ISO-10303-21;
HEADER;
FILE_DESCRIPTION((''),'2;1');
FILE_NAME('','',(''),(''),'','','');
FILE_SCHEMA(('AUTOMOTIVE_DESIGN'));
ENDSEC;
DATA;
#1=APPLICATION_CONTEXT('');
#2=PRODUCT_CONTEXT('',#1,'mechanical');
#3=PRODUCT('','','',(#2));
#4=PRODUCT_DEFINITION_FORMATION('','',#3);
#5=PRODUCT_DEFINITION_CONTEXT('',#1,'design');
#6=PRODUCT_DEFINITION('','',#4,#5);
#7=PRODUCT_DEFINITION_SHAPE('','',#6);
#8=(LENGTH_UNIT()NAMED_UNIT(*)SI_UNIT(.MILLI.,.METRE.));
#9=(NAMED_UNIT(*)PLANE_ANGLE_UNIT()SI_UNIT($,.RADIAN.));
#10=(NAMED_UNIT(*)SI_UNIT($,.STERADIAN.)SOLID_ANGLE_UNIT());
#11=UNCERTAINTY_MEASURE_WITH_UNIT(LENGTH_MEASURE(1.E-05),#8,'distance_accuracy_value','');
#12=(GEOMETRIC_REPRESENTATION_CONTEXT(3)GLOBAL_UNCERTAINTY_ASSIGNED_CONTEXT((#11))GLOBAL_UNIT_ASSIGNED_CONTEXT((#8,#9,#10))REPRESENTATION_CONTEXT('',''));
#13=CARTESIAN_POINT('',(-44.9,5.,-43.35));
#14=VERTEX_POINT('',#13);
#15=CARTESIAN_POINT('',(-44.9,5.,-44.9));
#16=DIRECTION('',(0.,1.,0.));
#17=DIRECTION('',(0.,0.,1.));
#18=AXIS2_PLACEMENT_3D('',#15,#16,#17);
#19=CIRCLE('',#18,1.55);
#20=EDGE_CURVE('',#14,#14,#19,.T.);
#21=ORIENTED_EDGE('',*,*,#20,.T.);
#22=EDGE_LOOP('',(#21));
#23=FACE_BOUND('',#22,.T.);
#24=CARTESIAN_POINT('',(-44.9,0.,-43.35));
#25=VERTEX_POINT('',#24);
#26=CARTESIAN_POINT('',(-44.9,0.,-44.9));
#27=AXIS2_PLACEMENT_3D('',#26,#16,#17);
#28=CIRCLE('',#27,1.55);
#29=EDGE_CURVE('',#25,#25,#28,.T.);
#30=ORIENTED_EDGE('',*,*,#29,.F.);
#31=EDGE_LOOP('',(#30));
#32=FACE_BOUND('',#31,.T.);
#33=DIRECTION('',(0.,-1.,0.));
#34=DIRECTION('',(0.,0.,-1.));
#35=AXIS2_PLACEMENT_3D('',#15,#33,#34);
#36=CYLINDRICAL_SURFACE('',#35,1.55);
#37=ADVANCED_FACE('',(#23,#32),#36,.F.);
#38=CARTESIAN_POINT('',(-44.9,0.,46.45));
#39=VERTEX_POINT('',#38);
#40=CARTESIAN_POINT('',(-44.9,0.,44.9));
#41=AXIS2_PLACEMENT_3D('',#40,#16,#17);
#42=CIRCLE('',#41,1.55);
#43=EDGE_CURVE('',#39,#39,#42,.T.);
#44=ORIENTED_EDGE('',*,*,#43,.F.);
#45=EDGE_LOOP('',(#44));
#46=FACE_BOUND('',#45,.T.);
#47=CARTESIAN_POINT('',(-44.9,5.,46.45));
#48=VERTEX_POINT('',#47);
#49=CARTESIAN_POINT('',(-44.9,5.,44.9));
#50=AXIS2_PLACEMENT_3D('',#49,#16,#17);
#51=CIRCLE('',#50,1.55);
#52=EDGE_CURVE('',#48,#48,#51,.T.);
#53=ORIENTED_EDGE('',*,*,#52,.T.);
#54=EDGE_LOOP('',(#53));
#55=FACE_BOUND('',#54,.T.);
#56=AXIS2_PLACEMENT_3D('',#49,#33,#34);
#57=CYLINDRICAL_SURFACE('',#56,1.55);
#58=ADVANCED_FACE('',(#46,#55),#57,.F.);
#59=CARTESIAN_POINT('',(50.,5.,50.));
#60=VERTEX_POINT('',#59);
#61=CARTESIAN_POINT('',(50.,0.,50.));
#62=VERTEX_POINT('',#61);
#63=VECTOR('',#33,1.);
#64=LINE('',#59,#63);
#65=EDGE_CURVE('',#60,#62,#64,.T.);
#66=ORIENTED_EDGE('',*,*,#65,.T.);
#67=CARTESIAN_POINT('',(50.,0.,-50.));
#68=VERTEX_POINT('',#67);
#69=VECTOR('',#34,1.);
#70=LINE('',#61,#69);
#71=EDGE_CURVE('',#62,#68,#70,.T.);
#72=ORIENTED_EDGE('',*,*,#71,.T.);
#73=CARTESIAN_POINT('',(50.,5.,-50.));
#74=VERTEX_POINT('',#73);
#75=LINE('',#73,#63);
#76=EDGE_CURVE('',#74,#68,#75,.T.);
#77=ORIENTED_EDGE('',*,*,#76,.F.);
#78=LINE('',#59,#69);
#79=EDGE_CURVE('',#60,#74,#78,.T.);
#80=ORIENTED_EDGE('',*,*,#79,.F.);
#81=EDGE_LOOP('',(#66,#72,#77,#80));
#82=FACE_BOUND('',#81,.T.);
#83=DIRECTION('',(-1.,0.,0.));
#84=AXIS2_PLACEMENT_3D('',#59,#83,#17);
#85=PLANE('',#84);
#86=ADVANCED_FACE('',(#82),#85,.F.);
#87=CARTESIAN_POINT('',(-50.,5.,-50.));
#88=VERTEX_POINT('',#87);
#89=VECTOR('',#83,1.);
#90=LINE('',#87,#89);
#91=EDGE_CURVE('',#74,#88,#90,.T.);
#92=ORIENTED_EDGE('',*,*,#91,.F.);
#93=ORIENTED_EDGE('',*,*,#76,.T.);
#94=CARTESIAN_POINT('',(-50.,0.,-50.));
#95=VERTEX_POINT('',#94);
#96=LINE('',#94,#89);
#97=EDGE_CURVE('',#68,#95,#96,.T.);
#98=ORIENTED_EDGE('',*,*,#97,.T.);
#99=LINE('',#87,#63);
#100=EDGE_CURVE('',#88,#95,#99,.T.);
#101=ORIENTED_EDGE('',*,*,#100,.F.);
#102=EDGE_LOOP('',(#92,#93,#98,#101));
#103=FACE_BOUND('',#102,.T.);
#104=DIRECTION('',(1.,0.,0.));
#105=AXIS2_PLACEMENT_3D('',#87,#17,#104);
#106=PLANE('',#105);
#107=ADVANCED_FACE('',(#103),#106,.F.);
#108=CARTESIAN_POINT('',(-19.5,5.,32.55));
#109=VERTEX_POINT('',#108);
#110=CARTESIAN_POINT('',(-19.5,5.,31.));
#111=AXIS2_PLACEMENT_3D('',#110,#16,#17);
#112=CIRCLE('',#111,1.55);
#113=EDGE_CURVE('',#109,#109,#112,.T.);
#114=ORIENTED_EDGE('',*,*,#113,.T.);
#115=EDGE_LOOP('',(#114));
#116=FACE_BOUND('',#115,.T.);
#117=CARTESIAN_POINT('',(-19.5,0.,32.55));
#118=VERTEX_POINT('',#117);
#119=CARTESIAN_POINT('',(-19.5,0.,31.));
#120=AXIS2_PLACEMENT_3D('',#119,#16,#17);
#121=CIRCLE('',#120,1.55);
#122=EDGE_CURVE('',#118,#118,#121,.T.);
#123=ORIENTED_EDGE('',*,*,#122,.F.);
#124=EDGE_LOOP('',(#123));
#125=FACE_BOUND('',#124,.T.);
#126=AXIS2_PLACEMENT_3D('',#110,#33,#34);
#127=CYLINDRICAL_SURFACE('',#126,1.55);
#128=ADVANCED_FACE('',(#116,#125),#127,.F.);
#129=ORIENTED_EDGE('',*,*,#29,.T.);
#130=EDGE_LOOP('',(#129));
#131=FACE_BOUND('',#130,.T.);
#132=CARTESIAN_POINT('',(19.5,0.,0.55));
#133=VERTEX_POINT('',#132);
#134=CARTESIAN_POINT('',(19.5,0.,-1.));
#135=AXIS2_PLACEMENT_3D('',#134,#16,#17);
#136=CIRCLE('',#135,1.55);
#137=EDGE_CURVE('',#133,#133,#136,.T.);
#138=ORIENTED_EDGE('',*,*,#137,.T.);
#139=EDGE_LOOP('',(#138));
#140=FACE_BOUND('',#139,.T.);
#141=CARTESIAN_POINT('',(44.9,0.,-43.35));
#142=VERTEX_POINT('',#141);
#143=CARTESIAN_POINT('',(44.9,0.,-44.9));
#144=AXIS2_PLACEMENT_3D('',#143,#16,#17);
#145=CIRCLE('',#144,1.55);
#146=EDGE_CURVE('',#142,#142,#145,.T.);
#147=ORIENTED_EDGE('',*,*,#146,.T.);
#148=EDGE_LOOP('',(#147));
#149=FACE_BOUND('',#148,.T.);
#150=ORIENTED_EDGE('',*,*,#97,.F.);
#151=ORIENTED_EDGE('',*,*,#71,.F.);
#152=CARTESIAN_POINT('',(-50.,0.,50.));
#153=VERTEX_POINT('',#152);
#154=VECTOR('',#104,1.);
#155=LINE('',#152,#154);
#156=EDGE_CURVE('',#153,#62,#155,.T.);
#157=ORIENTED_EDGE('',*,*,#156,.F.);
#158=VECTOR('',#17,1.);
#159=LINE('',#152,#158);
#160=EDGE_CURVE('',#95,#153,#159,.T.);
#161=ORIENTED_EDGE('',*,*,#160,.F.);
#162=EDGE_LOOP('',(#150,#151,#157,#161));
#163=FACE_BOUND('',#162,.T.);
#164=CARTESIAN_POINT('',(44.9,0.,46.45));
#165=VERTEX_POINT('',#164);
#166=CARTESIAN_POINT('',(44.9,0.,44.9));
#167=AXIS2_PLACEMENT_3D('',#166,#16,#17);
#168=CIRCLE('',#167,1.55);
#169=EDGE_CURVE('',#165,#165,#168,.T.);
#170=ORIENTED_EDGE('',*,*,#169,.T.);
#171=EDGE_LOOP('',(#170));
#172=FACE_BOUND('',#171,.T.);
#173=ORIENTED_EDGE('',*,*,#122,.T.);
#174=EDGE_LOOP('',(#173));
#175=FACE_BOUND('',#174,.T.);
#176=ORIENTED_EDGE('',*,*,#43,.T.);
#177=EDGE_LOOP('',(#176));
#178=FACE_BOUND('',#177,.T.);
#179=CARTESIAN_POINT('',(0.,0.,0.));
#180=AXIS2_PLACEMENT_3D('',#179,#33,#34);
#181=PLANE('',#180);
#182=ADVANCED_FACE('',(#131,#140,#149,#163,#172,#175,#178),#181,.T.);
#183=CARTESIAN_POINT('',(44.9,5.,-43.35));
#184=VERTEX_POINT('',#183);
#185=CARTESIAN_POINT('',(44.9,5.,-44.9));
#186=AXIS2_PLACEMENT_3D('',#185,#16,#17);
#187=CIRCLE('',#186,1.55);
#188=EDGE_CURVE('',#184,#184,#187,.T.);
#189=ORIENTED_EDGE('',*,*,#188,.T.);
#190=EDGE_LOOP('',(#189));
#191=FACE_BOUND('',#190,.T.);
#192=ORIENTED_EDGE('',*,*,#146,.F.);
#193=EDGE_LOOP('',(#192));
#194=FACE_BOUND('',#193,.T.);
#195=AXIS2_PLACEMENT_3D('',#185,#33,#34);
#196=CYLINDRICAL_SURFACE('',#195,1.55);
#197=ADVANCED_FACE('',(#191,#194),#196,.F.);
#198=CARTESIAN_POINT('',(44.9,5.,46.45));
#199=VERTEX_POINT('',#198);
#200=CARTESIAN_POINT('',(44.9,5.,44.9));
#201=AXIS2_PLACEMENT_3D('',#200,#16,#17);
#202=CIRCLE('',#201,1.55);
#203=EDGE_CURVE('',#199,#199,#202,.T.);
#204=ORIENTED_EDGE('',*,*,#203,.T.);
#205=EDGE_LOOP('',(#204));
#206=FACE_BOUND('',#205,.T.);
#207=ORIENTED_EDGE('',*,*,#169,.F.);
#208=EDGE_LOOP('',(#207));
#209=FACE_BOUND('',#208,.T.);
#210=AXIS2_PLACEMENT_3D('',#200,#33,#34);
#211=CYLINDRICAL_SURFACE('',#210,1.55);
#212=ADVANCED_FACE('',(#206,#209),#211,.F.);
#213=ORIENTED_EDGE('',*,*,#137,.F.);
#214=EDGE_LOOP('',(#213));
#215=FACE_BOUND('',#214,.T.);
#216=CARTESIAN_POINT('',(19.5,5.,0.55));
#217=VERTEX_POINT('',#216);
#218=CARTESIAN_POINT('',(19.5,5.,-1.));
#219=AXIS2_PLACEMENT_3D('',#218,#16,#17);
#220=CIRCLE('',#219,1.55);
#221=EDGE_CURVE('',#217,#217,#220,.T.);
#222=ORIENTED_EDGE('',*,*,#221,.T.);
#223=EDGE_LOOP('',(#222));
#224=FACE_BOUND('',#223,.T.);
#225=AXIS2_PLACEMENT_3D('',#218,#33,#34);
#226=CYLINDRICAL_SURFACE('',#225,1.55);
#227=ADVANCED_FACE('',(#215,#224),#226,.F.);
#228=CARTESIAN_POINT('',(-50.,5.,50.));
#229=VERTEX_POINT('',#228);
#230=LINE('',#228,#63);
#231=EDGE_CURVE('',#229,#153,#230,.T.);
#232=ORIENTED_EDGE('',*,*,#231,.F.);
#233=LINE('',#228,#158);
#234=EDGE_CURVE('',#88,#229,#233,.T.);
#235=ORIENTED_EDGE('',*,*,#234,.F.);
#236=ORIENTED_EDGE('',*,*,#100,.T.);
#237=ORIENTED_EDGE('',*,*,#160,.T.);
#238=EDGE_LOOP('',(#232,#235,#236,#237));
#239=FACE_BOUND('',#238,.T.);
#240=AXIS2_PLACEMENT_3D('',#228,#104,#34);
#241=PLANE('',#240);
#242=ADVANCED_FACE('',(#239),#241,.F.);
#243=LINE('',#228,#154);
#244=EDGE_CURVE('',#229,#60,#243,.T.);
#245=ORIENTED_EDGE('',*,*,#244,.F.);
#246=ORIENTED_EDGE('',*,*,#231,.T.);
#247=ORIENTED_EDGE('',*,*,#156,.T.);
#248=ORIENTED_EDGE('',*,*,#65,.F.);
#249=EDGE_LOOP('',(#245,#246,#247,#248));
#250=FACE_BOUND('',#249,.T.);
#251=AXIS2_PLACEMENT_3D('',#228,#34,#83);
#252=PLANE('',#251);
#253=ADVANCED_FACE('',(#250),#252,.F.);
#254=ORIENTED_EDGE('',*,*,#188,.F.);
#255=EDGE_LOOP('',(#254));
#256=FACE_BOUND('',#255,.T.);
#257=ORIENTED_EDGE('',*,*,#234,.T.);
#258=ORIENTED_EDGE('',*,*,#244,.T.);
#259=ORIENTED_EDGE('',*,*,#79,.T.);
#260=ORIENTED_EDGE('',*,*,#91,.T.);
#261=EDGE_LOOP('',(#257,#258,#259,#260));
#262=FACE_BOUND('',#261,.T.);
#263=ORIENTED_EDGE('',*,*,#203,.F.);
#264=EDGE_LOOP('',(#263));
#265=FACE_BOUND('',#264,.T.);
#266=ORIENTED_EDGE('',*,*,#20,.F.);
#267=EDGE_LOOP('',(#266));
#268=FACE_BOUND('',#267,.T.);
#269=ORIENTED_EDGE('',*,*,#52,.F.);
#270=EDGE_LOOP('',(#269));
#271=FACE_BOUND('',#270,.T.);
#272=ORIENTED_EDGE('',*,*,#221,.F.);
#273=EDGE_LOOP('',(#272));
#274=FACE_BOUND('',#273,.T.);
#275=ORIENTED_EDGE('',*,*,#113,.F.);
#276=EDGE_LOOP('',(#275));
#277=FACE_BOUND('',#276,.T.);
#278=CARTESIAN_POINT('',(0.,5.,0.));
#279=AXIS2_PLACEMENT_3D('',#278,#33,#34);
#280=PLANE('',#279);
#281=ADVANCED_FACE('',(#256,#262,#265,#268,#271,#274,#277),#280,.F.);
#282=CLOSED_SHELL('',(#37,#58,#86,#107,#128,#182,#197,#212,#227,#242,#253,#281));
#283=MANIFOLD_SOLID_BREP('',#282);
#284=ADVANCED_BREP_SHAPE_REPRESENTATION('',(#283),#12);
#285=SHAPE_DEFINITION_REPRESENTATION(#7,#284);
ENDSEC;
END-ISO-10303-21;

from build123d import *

# Parameters (mm, degrees)
SKETCH1_W           = 100
SKETCH1_H           = 100
SKETCH1_R           = 1.55
BOSS_EXTRUDE1_DEPTH = 5


with BuildPart() as part:
    # Sketch1 → Boss-Extrude1 (new body)
    with BuildSketch(Plane(origin=(0, 0, 0), x_dir=(1, 0, 0), z_dir=(0, 1, 0))):
        Rectangle(SKETCH1_W, SKETCH1_H)
        with Locations((-44.9, 44.9)):
            Circle(SKETCH1_R, mode=Mode.SUBTRACT)
        with Locations((44.9, 44.9)):
            Circle(SKETCH1_R, mode=Mode.SUBTRACT)
        with Locations((44.9, -44.9)):
            Circle(SKETCH1_R, mode=Mode.SUBTRACT)
        with Locations((-44.9, -44.9)):
            Circle(SKETCH1_R, mode=Mode.SUBTRACT)
        with Locations((-19.5, -31)):
            Circle(SKETCH1_R, mode=Mode.SUBTRACT)
        with Locations((19.5, 1)):
            Circle(SKETCH1_R, mode=Mode.SUBTRACT)
    extrude(amount=BOSS_EXTRUDE1_DEPTH)


solid = part.part
